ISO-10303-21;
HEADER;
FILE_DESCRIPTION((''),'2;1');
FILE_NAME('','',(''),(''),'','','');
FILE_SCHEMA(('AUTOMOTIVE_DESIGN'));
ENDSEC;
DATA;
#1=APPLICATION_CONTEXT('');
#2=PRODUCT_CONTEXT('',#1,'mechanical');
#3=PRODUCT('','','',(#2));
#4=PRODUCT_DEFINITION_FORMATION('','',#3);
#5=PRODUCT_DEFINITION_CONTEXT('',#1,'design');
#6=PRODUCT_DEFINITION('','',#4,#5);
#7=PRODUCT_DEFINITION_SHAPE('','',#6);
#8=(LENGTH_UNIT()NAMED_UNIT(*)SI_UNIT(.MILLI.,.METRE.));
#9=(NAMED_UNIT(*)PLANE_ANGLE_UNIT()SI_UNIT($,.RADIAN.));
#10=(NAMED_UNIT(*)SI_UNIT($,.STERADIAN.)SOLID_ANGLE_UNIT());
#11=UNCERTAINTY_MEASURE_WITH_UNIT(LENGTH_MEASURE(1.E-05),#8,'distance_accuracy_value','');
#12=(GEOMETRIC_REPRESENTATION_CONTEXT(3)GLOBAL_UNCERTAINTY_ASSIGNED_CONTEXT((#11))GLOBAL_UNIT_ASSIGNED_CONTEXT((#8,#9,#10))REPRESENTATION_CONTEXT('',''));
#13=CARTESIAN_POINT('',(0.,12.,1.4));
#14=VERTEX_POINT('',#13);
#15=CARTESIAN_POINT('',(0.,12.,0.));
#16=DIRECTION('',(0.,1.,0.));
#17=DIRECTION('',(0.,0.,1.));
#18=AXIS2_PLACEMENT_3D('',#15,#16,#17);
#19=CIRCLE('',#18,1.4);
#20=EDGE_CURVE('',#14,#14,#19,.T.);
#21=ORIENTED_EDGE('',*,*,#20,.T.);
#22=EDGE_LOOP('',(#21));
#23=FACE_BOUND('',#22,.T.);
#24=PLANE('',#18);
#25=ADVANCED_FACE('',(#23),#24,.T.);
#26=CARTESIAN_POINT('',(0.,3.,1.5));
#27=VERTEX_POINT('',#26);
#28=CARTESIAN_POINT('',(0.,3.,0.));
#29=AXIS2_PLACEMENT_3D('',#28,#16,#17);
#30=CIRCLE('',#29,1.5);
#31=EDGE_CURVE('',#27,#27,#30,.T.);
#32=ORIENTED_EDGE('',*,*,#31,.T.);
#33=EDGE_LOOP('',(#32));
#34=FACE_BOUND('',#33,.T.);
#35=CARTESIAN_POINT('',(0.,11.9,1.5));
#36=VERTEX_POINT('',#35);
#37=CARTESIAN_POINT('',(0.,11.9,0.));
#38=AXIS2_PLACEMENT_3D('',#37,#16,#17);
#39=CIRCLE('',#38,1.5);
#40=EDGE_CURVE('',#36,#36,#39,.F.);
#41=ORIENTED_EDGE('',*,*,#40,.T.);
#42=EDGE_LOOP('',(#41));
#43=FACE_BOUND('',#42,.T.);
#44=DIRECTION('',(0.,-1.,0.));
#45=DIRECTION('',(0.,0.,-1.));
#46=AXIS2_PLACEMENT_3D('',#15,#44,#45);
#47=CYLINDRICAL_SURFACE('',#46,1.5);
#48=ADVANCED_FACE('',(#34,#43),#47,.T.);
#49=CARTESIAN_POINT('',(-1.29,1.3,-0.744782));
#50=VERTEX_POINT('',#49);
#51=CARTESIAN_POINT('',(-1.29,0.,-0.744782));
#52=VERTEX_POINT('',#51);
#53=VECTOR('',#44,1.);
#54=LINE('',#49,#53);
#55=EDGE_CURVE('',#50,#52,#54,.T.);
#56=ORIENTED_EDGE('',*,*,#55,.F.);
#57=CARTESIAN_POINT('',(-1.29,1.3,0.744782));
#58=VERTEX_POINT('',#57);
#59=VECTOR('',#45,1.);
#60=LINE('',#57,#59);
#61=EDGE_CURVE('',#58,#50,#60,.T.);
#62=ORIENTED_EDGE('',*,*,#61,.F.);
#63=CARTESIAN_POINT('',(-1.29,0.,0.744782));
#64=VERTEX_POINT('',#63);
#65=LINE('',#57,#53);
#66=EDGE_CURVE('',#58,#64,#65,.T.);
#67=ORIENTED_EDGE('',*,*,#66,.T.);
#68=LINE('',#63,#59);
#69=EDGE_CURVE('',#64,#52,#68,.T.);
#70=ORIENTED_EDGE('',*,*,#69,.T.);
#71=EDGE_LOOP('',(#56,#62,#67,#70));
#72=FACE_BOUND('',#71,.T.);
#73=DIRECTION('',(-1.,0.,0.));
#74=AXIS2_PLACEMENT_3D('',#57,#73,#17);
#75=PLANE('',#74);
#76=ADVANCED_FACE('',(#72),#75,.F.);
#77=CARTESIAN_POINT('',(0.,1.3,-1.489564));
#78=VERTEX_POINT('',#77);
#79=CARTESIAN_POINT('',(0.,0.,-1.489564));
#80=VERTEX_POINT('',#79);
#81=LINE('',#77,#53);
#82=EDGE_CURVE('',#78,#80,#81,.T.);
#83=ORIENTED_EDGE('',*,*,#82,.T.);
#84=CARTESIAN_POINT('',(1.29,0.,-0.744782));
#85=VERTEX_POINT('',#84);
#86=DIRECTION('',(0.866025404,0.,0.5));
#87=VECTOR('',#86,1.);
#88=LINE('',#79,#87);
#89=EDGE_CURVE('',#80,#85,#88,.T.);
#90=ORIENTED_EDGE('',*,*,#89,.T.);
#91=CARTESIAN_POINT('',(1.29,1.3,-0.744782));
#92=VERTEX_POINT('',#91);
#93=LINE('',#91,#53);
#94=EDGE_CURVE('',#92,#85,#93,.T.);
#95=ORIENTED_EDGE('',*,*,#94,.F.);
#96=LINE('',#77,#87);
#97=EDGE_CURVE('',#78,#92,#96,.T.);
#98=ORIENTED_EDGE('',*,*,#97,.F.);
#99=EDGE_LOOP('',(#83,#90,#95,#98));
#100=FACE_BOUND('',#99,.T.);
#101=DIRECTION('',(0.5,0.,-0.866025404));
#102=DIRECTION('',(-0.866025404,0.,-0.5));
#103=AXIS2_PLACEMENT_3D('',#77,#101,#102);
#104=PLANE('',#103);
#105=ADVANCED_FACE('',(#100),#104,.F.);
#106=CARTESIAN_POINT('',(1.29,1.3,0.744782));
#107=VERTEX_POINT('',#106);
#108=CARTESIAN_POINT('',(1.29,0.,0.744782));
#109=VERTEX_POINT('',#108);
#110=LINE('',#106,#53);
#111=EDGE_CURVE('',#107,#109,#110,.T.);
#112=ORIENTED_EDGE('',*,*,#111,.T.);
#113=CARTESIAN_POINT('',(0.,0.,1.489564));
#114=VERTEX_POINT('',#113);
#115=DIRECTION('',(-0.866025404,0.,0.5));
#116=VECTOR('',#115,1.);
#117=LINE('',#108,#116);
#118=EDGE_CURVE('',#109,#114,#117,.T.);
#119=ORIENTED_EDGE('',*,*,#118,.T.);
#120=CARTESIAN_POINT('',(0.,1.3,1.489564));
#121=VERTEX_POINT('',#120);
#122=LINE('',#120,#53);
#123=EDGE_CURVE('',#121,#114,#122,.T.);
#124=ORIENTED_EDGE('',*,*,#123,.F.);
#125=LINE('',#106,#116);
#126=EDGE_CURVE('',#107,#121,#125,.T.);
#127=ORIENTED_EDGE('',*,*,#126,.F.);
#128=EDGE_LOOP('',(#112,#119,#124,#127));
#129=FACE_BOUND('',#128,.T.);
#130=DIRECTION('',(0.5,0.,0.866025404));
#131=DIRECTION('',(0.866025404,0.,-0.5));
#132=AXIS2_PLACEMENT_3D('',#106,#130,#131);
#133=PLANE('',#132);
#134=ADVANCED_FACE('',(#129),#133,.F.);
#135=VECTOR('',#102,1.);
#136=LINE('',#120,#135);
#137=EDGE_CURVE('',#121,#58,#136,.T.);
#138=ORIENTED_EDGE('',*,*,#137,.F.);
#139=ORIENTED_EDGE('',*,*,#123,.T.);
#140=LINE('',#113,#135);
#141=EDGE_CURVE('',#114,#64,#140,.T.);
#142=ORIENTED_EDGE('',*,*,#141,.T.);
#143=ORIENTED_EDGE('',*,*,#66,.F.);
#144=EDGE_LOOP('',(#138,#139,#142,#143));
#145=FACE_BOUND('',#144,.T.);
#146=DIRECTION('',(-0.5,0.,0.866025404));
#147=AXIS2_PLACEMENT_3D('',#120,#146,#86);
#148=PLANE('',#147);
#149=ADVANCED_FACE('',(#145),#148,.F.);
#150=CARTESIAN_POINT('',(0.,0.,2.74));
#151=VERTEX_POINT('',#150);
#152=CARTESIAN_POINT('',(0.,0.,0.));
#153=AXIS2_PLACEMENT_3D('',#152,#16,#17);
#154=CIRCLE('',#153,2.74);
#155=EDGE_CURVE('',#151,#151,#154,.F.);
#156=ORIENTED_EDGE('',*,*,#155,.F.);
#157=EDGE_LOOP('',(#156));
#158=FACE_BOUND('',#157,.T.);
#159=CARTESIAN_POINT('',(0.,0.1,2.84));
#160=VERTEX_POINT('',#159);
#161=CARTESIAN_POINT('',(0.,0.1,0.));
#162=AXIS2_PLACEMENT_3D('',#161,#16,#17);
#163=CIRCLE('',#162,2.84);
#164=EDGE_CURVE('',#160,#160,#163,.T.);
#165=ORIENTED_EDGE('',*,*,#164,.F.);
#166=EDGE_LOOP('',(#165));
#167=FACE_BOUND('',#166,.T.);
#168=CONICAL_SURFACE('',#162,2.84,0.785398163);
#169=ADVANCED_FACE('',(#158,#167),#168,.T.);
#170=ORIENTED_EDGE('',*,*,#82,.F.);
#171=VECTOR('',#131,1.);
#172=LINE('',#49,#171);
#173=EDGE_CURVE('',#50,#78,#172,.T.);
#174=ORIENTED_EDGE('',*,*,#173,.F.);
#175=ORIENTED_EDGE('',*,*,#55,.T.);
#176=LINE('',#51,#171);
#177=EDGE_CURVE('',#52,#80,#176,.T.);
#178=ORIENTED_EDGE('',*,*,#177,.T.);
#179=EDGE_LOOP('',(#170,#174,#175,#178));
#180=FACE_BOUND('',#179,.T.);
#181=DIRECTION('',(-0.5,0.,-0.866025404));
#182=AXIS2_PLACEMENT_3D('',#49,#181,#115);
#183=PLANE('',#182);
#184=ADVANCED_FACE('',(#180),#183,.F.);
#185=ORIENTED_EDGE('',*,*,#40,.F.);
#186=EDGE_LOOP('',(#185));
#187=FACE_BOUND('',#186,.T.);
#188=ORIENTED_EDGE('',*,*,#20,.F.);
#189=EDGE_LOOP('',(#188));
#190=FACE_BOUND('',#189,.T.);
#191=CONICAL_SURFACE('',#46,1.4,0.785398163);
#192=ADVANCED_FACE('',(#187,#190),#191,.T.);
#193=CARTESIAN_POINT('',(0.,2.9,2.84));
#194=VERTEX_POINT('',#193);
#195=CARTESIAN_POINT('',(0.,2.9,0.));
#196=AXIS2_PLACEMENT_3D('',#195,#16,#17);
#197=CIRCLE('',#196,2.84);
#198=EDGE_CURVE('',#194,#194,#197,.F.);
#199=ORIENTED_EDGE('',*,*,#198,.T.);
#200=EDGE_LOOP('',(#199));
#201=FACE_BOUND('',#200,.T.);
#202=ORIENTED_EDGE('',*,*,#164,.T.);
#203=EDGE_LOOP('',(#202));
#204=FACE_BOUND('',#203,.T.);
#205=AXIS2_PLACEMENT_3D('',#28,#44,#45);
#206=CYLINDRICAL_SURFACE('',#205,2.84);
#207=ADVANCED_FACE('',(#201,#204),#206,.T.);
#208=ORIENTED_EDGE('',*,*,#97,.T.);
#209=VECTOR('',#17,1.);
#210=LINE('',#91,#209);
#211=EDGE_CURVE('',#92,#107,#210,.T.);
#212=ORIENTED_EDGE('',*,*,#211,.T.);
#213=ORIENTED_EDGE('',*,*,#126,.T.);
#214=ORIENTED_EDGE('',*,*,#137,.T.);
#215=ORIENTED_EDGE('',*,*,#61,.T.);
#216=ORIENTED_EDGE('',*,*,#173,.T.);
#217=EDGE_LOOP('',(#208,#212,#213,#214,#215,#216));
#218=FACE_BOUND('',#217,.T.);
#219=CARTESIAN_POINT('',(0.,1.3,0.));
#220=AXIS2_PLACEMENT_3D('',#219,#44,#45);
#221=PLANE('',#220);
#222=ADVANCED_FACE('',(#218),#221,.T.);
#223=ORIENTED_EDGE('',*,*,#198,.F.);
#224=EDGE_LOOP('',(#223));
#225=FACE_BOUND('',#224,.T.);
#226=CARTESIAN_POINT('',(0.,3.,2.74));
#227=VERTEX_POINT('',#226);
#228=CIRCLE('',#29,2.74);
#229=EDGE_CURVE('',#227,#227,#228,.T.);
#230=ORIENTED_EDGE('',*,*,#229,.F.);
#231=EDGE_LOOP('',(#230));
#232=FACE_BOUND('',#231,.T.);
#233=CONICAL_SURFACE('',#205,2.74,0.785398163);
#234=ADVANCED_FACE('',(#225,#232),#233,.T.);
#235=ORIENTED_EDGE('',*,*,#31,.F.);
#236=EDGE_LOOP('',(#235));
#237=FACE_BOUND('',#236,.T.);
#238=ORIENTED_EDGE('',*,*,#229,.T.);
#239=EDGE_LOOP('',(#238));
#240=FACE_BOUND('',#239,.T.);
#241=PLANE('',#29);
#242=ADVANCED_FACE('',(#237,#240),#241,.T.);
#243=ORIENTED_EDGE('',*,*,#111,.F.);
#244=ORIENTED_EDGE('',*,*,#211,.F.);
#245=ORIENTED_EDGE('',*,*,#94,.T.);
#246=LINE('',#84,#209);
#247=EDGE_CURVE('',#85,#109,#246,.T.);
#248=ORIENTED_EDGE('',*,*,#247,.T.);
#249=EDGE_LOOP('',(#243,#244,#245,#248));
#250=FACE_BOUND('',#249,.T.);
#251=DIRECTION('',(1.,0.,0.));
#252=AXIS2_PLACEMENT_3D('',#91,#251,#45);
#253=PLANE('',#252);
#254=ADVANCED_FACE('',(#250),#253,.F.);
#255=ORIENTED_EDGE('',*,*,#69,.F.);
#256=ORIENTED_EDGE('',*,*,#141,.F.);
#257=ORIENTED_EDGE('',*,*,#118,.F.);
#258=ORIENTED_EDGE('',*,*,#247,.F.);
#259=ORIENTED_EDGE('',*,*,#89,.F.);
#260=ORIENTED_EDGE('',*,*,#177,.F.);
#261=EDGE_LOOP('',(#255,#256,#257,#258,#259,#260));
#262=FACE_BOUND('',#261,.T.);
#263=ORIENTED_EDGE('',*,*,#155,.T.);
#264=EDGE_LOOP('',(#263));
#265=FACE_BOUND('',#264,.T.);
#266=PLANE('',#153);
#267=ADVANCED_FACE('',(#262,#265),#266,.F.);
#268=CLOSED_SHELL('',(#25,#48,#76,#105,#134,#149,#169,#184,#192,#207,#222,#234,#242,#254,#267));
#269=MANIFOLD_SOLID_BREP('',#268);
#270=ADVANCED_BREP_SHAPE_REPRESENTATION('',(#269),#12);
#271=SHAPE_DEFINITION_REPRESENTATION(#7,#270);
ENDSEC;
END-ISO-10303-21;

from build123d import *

# Parameters (mm, degrees)
SKETCH_1_R            = 2.84
EXTRUDE_261_DEPTH     = 3
SKETCH_2_R            = 1.5
EXTRUDE_345_DEPTH     = 9
CUT_EXTRUDE_529_DEPTH = 1.3
CHAMFER_591_SIZE      = 0.1


with BuildPart() as part:
    # 草图1 → Extrude 261 (new body)
    with BuildSketch(Plane(origin=(0, 0, 0), x_dir=(1, 0, 0), z_dir=(0, 1, 0))):
        with Locations(Location((0, 0, 0), (0, 0, 270))):
            Circle(SKETCH_1_R)
    extrude(amount=EXTRUDE_261_DEPTH)

    # 草图2 → Extrude 345 (add)
    with BuildSketch(Plane(origin=(0, 3, 0), x_dir=(1, 0, 0), z_dir=(0, 1, 0))):
        with Locations(Location((0, 0, 0), (0, 0, 270))):
            Circle(SKETCH_2_R)
    extrude(amount=EXTRUDE_345_DEPTH)

    # 草图3 → Cut-Extrude 529 (cut)
    with BuildSketch(Plane.XZ):
        Polygon((1.29, -0.744781847), (1.29, 0.744781847), (0, 1.489563695), (-1.29, 0.744781847), (-1.29, -0.744781847), (0, -1.489563695), align=None)
    extrude(amount=-CUT_EXTRUDE_529_DEPTH, mode=Mode.SUBTRACT)

    # Chamfer 591
    chamfer_591_edges = [part.edges().sort_by_distance(p)[0] for p in [
        (0, 0, -2.84),
        (0, 3, -2.84),
        (0, 12, -1.5),
    ]]
    chamfer(chamfer_591_edges, length=CHAMFER_591_SIZE)


solid = part.part
